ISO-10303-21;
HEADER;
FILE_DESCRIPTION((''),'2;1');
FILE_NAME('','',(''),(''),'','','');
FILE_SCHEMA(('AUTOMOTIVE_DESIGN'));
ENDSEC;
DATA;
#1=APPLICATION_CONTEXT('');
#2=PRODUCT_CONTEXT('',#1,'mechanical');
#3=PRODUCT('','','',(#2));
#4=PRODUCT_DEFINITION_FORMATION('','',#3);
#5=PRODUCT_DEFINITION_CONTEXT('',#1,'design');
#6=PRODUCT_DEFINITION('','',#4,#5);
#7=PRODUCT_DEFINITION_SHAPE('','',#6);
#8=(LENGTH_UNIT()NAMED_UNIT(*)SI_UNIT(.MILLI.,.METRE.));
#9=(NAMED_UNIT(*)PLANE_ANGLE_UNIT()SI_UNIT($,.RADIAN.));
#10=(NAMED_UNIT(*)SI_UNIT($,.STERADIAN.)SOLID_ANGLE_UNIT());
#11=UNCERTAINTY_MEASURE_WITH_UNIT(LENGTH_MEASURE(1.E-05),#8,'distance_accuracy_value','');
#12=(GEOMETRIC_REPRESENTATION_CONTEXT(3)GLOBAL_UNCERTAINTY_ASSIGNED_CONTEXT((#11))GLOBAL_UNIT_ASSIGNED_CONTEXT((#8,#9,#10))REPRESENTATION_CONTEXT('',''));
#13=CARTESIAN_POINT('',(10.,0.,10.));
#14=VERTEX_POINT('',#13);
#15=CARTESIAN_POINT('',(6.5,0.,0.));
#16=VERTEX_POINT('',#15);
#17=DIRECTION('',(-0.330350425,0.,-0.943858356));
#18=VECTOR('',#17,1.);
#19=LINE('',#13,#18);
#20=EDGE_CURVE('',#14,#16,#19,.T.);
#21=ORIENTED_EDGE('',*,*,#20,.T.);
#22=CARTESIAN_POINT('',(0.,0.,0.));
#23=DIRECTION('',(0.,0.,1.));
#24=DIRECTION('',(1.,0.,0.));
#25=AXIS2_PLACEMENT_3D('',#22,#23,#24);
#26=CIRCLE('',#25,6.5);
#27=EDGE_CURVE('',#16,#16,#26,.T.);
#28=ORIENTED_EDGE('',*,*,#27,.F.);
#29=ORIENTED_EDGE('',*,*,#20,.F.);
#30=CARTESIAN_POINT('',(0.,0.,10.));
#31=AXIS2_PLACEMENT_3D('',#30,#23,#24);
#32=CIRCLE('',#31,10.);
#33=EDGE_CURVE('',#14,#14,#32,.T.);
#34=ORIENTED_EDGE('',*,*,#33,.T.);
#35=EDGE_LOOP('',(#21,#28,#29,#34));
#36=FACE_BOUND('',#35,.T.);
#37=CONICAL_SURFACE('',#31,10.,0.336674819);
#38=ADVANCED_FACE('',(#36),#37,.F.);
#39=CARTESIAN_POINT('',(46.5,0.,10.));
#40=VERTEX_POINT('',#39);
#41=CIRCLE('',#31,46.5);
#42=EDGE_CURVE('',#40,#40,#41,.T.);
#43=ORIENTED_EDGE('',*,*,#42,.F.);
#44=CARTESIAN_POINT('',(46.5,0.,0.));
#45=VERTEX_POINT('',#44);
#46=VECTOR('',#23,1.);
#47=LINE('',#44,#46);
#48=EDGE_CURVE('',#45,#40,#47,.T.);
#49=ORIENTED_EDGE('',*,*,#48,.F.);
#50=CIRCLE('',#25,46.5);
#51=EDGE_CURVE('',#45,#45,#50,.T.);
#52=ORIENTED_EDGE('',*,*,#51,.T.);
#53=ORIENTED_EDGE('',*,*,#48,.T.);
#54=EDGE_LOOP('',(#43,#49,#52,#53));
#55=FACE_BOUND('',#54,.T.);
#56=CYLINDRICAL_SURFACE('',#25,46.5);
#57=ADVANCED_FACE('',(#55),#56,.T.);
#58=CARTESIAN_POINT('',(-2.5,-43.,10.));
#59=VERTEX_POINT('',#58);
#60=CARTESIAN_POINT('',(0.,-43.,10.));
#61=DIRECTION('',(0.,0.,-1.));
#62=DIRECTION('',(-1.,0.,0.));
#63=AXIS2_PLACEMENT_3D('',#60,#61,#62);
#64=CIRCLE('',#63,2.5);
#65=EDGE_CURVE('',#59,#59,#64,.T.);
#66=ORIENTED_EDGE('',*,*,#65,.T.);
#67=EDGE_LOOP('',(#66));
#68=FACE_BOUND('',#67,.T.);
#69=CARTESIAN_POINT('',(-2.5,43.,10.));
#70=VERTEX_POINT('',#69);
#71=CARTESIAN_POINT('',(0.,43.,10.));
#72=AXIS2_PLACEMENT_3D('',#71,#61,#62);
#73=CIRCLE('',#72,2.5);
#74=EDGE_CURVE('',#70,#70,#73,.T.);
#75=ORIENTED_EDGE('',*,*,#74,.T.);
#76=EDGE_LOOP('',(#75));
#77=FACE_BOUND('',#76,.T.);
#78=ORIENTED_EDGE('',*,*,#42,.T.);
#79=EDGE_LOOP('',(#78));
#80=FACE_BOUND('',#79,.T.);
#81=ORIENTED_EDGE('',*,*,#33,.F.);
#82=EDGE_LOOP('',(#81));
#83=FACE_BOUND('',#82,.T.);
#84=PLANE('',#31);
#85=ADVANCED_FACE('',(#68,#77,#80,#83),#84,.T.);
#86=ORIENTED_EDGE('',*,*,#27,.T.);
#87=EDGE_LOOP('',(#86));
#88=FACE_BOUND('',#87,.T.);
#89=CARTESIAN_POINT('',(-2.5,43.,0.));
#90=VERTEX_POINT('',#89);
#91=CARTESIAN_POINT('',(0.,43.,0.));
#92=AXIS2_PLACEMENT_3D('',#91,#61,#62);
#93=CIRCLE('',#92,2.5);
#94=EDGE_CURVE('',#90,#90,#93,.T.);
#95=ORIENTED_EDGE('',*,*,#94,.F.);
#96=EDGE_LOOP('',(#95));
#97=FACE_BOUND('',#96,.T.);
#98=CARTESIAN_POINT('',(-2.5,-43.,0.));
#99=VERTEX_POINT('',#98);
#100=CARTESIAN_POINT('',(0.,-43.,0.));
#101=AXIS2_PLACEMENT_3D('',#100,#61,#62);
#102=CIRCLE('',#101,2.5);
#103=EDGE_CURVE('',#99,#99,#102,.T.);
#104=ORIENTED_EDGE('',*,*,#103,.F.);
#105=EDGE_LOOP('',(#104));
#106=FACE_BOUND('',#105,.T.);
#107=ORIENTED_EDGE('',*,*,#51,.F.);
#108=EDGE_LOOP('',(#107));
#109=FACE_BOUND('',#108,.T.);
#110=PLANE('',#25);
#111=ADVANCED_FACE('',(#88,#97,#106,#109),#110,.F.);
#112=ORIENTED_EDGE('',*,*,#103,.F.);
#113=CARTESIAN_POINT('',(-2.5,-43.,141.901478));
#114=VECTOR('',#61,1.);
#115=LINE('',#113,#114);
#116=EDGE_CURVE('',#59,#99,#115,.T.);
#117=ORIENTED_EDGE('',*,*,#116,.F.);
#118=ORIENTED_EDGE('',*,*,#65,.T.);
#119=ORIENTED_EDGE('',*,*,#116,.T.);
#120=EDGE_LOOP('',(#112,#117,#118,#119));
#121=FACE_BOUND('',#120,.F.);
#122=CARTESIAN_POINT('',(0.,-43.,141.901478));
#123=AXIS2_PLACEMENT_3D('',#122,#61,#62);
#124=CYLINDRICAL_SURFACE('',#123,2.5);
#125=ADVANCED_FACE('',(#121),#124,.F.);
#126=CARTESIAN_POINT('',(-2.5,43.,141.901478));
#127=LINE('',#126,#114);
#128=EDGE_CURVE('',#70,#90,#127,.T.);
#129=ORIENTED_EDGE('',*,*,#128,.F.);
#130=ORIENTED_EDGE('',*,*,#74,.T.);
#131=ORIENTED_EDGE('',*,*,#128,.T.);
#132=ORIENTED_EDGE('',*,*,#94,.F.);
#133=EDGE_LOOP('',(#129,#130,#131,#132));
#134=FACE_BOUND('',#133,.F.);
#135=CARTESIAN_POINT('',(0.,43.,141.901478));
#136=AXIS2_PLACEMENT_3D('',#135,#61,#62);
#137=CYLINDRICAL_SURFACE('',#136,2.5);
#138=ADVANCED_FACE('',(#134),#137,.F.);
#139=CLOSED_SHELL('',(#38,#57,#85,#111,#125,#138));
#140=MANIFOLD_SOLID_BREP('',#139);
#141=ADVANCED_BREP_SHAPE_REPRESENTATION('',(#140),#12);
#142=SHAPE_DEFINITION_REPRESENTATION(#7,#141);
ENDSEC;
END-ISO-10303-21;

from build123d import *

# Parameters (mm, degrees)
F3_D = 5


with BuildPart() as f1:
    # F0 (on Front) → F1 (revolve)
    with BuildSketch(Plane.XZ):
        Polygon((6.5, 0), (46.5, 0), (46.5, 10), (10, 10), align=None)
    revolve(axis=Axis((0, 0, 6.286277), (0, 0, 1)))

    # F3 (through all)
    with Locations(Plane.XY.offset(10)):
        with Locations((0, -43), (0, 43)):
            Hole(F3_D / 2)


solid = f1.part
